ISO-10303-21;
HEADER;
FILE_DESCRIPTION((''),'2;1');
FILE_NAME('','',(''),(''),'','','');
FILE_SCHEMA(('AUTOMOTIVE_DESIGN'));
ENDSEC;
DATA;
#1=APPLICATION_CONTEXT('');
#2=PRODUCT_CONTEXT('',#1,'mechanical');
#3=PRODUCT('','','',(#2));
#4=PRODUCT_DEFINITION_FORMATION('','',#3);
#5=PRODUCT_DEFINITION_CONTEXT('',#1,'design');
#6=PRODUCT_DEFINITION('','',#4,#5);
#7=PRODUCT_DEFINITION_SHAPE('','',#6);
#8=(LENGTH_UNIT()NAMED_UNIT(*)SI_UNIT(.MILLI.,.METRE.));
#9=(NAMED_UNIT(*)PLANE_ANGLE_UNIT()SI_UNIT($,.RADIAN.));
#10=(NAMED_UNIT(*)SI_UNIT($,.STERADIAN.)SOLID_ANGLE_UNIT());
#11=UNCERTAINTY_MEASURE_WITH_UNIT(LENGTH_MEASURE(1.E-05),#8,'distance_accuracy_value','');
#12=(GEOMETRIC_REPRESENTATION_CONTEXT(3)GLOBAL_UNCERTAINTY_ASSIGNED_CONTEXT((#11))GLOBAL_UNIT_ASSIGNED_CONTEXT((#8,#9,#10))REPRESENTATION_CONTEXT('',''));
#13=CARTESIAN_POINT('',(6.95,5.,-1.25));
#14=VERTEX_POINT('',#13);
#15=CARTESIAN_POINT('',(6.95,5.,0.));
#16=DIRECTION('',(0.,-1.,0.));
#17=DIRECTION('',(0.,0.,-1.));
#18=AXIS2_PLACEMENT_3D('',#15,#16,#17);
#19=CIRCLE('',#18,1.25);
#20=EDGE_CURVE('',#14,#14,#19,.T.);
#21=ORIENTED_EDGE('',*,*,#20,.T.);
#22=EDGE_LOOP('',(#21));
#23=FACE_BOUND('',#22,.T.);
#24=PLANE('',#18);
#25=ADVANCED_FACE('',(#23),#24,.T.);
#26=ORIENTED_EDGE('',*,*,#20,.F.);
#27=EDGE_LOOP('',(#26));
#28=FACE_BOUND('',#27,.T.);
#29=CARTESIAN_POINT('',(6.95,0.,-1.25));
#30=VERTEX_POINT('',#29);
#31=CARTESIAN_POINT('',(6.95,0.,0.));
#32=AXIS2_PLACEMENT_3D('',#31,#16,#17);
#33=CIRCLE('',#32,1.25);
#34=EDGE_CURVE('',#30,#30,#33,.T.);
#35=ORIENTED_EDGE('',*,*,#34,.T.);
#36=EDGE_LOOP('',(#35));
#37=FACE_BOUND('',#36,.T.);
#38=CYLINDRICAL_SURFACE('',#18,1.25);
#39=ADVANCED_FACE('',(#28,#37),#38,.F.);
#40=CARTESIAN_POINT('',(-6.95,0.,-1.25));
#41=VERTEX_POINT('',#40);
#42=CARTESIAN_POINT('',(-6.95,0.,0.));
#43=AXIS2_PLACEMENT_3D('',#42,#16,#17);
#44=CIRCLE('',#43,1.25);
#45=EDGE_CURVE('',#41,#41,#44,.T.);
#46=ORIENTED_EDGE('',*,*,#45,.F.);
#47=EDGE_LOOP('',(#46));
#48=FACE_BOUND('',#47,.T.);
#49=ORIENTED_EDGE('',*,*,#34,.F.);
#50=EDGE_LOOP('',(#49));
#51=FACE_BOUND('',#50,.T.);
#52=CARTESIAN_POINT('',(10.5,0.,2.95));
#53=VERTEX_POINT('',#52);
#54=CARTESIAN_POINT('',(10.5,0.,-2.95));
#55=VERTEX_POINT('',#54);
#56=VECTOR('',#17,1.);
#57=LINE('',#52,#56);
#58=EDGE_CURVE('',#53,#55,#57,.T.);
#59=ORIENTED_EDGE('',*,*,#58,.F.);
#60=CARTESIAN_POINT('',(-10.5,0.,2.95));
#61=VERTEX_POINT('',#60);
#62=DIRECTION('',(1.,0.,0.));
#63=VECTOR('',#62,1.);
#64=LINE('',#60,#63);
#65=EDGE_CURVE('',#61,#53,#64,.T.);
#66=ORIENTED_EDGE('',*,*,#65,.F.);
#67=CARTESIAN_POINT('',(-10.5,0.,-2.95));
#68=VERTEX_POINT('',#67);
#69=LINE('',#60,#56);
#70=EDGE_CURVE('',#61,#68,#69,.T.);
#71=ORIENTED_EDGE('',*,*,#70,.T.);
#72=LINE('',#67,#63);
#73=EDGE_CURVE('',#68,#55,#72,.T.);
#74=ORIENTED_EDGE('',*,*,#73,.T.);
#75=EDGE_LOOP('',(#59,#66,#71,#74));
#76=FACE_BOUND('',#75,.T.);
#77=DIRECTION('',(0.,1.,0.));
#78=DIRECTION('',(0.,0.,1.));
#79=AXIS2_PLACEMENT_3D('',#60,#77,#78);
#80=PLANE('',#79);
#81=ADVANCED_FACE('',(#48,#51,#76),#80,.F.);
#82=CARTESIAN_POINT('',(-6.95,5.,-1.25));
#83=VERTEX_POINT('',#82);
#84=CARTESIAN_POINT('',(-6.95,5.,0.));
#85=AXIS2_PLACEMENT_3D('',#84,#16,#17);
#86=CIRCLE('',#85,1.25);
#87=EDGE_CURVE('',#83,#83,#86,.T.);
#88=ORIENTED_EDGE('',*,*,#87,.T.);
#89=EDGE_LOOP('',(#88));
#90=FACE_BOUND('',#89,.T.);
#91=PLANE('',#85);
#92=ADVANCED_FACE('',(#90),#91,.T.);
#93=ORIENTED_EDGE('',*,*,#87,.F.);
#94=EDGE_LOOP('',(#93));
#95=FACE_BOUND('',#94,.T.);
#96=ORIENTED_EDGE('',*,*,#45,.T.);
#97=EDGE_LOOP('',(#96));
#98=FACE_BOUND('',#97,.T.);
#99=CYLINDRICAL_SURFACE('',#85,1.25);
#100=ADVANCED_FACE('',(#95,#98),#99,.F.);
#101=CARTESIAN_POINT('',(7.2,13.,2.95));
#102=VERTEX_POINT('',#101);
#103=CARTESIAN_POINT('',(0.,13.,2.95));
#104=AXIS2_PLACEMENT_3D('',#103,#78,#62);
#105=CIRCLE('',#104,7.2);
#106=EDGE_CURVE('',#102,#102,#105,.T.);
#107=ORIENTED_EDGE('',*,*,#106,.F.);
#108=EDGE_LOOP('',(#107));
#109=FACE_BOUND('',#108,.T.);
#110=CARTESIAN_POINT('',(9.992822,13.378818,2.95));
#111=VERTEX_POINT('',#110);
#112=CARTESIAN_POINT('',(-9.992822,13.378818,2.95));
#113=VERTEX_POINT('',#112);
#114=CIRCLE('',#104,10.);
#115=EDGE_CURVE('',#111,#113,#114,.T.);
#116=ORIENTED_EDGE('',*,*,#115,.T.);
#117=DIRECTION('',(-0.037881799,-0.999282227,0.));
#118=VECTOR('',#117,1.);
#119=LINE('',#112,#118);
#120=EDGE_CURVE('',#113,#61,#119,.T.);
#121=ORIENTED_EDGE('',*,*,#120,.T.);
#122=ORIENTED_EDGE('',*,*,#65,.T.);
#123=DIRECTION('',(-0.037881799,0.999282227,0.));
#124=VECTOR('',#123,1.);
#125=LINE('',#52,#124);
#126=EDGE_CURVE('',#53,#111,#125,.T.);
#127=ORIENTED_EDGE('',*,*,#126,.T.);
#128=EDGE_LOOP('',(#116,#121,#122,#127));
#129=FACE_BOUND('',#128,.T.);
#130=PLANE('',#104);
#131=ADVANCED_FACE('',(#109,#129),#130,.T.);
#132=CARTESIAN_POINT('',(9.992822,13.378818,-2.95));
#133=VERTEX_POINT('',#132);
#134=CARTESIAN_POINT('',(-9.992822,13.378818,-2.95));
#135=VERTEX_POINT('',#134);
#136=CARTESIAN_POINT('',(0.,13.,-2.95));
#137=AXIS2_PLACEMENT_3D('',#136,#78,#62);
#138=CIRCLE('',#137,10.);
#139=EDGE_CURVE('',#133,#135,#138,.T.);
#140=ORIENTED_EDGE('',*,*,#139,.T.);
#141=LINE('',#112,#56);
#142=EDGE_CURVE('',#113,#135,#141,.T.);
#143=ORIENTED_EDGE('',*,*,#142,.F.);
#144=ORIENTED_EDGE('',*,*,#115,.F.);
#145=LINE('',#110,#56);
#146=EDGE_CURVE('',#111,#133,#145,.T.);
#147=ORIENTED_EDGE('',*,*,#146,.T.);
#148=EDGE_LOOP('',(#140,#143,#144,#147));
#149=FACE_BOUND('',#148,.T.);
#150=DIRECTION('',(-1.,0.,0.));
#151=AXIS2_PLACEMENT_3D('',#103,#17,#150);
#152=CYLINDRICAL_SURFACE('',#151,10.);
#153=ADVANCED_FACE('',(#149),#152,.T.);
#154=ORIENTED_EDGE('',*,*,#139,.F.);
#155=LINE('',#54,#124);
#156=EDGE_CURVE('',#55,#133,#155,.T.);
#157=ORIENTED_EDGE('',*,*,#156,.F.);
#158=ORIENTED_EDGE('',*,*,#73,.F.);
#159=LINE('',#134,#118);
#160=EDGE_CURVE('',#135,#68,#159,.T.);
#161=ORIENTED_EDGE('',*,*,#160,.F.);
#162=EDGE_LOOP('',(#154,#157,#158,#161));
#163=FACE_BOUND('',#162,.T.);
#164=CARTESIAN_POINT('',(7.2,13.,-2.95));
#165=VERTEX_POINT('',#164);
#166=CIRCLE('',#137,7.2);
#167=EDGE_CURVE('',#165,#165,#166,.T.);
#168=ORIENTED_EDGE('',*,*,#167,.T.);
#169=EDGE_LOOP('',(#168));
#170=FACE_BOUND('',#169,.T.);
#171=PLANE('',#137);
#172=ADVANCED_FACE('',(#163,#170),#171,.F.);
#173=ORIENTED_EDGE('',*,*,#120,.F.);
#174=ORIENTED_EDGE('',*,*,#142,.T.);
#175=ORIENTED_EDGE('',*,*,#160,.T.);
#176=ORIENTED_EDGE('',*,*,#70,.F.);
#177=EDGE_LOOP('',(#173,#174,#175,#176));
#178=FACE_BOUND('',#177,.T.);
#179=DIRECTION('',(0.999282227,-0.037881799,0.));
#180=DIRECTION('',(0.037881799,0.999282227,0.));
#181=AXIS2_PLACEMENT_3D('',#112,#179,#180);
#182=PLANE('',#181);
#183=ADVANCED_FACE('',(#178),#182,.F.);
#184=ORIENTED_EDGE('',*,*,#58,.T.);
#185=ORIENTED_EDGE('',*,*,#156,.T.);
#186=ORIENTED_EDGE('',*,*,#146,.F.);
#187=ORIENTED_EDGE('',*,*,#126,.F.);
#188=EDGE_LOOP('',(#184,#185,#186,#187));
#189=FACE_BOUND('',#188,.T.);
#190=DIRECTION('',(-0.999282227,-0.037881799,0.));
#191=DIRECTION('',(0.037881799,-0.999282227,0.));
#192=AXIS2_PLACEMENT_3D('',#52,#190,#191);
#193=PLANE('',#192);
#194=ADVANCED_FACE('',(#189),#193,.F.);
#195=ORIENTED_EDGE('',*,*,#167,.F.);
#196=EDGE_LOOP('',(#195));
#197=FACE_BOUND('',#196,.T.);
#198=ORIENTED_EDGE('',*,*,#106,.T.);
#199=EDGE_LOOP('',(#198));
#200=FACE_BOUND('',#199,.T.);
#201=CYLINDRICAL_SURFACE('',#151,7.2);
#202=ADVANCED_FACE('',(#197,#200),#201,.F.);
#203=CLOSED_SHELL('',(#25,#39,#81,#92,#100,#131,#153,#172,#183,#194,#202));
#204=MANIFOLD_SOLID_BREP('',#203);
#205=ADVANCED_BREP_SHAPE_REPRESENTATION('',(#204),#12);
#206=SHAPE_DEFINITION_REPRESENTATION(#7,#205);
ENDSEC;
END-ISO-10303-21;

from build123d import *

# Parameters (mm, degrees)
SKETCH1_R           = 7.2
BOSS_EXTRUDE1_DEPTH = 2.95
SKETCH2_R           = 1.25
CUT_EXTRUDE1_DEPTH  = 5


with BuildPart() as part:
    # Sketch1 → Boss-Extrude1 (new, symmetric)
    with BuildSketch(Plane.XY):
        with BuildLine():
            Line((-9.992822271, 13.378817988), (-10.5, 0))
            Line((-10.5, 0), (10.5, 0))
            Line((10.5, 0), (9.992822271, 13.378817988))
            ThreePointArc((9.992822271, 13.378817988), (0, 23), (-9.992822271, 13.378817988))
        make_face()
        with Locations((0, 13)):
            Circle(SKETCH1_R, mode=Mode.SUBTRACT)
    extrude(amount=BOSS_EXTRUDE1_DEPTH, both=True)

    # Sketch2 → Cut-Extrude1 (cut)
    with BuildSketch(Plane.XZ):
        with Locations(Location((-6.95, 0, 0), (0, 0, 270))):
            Circle(SKETCH2_R)
        with Locations(Location((6.95, 0, 0), (0, 0, 270))):
            Circle(SKETCH2_R)
    extrude(amount=-CUT_EXTRUDE1_DEPTH, mode=Mode.SUBTRACT)


solid = part.part
